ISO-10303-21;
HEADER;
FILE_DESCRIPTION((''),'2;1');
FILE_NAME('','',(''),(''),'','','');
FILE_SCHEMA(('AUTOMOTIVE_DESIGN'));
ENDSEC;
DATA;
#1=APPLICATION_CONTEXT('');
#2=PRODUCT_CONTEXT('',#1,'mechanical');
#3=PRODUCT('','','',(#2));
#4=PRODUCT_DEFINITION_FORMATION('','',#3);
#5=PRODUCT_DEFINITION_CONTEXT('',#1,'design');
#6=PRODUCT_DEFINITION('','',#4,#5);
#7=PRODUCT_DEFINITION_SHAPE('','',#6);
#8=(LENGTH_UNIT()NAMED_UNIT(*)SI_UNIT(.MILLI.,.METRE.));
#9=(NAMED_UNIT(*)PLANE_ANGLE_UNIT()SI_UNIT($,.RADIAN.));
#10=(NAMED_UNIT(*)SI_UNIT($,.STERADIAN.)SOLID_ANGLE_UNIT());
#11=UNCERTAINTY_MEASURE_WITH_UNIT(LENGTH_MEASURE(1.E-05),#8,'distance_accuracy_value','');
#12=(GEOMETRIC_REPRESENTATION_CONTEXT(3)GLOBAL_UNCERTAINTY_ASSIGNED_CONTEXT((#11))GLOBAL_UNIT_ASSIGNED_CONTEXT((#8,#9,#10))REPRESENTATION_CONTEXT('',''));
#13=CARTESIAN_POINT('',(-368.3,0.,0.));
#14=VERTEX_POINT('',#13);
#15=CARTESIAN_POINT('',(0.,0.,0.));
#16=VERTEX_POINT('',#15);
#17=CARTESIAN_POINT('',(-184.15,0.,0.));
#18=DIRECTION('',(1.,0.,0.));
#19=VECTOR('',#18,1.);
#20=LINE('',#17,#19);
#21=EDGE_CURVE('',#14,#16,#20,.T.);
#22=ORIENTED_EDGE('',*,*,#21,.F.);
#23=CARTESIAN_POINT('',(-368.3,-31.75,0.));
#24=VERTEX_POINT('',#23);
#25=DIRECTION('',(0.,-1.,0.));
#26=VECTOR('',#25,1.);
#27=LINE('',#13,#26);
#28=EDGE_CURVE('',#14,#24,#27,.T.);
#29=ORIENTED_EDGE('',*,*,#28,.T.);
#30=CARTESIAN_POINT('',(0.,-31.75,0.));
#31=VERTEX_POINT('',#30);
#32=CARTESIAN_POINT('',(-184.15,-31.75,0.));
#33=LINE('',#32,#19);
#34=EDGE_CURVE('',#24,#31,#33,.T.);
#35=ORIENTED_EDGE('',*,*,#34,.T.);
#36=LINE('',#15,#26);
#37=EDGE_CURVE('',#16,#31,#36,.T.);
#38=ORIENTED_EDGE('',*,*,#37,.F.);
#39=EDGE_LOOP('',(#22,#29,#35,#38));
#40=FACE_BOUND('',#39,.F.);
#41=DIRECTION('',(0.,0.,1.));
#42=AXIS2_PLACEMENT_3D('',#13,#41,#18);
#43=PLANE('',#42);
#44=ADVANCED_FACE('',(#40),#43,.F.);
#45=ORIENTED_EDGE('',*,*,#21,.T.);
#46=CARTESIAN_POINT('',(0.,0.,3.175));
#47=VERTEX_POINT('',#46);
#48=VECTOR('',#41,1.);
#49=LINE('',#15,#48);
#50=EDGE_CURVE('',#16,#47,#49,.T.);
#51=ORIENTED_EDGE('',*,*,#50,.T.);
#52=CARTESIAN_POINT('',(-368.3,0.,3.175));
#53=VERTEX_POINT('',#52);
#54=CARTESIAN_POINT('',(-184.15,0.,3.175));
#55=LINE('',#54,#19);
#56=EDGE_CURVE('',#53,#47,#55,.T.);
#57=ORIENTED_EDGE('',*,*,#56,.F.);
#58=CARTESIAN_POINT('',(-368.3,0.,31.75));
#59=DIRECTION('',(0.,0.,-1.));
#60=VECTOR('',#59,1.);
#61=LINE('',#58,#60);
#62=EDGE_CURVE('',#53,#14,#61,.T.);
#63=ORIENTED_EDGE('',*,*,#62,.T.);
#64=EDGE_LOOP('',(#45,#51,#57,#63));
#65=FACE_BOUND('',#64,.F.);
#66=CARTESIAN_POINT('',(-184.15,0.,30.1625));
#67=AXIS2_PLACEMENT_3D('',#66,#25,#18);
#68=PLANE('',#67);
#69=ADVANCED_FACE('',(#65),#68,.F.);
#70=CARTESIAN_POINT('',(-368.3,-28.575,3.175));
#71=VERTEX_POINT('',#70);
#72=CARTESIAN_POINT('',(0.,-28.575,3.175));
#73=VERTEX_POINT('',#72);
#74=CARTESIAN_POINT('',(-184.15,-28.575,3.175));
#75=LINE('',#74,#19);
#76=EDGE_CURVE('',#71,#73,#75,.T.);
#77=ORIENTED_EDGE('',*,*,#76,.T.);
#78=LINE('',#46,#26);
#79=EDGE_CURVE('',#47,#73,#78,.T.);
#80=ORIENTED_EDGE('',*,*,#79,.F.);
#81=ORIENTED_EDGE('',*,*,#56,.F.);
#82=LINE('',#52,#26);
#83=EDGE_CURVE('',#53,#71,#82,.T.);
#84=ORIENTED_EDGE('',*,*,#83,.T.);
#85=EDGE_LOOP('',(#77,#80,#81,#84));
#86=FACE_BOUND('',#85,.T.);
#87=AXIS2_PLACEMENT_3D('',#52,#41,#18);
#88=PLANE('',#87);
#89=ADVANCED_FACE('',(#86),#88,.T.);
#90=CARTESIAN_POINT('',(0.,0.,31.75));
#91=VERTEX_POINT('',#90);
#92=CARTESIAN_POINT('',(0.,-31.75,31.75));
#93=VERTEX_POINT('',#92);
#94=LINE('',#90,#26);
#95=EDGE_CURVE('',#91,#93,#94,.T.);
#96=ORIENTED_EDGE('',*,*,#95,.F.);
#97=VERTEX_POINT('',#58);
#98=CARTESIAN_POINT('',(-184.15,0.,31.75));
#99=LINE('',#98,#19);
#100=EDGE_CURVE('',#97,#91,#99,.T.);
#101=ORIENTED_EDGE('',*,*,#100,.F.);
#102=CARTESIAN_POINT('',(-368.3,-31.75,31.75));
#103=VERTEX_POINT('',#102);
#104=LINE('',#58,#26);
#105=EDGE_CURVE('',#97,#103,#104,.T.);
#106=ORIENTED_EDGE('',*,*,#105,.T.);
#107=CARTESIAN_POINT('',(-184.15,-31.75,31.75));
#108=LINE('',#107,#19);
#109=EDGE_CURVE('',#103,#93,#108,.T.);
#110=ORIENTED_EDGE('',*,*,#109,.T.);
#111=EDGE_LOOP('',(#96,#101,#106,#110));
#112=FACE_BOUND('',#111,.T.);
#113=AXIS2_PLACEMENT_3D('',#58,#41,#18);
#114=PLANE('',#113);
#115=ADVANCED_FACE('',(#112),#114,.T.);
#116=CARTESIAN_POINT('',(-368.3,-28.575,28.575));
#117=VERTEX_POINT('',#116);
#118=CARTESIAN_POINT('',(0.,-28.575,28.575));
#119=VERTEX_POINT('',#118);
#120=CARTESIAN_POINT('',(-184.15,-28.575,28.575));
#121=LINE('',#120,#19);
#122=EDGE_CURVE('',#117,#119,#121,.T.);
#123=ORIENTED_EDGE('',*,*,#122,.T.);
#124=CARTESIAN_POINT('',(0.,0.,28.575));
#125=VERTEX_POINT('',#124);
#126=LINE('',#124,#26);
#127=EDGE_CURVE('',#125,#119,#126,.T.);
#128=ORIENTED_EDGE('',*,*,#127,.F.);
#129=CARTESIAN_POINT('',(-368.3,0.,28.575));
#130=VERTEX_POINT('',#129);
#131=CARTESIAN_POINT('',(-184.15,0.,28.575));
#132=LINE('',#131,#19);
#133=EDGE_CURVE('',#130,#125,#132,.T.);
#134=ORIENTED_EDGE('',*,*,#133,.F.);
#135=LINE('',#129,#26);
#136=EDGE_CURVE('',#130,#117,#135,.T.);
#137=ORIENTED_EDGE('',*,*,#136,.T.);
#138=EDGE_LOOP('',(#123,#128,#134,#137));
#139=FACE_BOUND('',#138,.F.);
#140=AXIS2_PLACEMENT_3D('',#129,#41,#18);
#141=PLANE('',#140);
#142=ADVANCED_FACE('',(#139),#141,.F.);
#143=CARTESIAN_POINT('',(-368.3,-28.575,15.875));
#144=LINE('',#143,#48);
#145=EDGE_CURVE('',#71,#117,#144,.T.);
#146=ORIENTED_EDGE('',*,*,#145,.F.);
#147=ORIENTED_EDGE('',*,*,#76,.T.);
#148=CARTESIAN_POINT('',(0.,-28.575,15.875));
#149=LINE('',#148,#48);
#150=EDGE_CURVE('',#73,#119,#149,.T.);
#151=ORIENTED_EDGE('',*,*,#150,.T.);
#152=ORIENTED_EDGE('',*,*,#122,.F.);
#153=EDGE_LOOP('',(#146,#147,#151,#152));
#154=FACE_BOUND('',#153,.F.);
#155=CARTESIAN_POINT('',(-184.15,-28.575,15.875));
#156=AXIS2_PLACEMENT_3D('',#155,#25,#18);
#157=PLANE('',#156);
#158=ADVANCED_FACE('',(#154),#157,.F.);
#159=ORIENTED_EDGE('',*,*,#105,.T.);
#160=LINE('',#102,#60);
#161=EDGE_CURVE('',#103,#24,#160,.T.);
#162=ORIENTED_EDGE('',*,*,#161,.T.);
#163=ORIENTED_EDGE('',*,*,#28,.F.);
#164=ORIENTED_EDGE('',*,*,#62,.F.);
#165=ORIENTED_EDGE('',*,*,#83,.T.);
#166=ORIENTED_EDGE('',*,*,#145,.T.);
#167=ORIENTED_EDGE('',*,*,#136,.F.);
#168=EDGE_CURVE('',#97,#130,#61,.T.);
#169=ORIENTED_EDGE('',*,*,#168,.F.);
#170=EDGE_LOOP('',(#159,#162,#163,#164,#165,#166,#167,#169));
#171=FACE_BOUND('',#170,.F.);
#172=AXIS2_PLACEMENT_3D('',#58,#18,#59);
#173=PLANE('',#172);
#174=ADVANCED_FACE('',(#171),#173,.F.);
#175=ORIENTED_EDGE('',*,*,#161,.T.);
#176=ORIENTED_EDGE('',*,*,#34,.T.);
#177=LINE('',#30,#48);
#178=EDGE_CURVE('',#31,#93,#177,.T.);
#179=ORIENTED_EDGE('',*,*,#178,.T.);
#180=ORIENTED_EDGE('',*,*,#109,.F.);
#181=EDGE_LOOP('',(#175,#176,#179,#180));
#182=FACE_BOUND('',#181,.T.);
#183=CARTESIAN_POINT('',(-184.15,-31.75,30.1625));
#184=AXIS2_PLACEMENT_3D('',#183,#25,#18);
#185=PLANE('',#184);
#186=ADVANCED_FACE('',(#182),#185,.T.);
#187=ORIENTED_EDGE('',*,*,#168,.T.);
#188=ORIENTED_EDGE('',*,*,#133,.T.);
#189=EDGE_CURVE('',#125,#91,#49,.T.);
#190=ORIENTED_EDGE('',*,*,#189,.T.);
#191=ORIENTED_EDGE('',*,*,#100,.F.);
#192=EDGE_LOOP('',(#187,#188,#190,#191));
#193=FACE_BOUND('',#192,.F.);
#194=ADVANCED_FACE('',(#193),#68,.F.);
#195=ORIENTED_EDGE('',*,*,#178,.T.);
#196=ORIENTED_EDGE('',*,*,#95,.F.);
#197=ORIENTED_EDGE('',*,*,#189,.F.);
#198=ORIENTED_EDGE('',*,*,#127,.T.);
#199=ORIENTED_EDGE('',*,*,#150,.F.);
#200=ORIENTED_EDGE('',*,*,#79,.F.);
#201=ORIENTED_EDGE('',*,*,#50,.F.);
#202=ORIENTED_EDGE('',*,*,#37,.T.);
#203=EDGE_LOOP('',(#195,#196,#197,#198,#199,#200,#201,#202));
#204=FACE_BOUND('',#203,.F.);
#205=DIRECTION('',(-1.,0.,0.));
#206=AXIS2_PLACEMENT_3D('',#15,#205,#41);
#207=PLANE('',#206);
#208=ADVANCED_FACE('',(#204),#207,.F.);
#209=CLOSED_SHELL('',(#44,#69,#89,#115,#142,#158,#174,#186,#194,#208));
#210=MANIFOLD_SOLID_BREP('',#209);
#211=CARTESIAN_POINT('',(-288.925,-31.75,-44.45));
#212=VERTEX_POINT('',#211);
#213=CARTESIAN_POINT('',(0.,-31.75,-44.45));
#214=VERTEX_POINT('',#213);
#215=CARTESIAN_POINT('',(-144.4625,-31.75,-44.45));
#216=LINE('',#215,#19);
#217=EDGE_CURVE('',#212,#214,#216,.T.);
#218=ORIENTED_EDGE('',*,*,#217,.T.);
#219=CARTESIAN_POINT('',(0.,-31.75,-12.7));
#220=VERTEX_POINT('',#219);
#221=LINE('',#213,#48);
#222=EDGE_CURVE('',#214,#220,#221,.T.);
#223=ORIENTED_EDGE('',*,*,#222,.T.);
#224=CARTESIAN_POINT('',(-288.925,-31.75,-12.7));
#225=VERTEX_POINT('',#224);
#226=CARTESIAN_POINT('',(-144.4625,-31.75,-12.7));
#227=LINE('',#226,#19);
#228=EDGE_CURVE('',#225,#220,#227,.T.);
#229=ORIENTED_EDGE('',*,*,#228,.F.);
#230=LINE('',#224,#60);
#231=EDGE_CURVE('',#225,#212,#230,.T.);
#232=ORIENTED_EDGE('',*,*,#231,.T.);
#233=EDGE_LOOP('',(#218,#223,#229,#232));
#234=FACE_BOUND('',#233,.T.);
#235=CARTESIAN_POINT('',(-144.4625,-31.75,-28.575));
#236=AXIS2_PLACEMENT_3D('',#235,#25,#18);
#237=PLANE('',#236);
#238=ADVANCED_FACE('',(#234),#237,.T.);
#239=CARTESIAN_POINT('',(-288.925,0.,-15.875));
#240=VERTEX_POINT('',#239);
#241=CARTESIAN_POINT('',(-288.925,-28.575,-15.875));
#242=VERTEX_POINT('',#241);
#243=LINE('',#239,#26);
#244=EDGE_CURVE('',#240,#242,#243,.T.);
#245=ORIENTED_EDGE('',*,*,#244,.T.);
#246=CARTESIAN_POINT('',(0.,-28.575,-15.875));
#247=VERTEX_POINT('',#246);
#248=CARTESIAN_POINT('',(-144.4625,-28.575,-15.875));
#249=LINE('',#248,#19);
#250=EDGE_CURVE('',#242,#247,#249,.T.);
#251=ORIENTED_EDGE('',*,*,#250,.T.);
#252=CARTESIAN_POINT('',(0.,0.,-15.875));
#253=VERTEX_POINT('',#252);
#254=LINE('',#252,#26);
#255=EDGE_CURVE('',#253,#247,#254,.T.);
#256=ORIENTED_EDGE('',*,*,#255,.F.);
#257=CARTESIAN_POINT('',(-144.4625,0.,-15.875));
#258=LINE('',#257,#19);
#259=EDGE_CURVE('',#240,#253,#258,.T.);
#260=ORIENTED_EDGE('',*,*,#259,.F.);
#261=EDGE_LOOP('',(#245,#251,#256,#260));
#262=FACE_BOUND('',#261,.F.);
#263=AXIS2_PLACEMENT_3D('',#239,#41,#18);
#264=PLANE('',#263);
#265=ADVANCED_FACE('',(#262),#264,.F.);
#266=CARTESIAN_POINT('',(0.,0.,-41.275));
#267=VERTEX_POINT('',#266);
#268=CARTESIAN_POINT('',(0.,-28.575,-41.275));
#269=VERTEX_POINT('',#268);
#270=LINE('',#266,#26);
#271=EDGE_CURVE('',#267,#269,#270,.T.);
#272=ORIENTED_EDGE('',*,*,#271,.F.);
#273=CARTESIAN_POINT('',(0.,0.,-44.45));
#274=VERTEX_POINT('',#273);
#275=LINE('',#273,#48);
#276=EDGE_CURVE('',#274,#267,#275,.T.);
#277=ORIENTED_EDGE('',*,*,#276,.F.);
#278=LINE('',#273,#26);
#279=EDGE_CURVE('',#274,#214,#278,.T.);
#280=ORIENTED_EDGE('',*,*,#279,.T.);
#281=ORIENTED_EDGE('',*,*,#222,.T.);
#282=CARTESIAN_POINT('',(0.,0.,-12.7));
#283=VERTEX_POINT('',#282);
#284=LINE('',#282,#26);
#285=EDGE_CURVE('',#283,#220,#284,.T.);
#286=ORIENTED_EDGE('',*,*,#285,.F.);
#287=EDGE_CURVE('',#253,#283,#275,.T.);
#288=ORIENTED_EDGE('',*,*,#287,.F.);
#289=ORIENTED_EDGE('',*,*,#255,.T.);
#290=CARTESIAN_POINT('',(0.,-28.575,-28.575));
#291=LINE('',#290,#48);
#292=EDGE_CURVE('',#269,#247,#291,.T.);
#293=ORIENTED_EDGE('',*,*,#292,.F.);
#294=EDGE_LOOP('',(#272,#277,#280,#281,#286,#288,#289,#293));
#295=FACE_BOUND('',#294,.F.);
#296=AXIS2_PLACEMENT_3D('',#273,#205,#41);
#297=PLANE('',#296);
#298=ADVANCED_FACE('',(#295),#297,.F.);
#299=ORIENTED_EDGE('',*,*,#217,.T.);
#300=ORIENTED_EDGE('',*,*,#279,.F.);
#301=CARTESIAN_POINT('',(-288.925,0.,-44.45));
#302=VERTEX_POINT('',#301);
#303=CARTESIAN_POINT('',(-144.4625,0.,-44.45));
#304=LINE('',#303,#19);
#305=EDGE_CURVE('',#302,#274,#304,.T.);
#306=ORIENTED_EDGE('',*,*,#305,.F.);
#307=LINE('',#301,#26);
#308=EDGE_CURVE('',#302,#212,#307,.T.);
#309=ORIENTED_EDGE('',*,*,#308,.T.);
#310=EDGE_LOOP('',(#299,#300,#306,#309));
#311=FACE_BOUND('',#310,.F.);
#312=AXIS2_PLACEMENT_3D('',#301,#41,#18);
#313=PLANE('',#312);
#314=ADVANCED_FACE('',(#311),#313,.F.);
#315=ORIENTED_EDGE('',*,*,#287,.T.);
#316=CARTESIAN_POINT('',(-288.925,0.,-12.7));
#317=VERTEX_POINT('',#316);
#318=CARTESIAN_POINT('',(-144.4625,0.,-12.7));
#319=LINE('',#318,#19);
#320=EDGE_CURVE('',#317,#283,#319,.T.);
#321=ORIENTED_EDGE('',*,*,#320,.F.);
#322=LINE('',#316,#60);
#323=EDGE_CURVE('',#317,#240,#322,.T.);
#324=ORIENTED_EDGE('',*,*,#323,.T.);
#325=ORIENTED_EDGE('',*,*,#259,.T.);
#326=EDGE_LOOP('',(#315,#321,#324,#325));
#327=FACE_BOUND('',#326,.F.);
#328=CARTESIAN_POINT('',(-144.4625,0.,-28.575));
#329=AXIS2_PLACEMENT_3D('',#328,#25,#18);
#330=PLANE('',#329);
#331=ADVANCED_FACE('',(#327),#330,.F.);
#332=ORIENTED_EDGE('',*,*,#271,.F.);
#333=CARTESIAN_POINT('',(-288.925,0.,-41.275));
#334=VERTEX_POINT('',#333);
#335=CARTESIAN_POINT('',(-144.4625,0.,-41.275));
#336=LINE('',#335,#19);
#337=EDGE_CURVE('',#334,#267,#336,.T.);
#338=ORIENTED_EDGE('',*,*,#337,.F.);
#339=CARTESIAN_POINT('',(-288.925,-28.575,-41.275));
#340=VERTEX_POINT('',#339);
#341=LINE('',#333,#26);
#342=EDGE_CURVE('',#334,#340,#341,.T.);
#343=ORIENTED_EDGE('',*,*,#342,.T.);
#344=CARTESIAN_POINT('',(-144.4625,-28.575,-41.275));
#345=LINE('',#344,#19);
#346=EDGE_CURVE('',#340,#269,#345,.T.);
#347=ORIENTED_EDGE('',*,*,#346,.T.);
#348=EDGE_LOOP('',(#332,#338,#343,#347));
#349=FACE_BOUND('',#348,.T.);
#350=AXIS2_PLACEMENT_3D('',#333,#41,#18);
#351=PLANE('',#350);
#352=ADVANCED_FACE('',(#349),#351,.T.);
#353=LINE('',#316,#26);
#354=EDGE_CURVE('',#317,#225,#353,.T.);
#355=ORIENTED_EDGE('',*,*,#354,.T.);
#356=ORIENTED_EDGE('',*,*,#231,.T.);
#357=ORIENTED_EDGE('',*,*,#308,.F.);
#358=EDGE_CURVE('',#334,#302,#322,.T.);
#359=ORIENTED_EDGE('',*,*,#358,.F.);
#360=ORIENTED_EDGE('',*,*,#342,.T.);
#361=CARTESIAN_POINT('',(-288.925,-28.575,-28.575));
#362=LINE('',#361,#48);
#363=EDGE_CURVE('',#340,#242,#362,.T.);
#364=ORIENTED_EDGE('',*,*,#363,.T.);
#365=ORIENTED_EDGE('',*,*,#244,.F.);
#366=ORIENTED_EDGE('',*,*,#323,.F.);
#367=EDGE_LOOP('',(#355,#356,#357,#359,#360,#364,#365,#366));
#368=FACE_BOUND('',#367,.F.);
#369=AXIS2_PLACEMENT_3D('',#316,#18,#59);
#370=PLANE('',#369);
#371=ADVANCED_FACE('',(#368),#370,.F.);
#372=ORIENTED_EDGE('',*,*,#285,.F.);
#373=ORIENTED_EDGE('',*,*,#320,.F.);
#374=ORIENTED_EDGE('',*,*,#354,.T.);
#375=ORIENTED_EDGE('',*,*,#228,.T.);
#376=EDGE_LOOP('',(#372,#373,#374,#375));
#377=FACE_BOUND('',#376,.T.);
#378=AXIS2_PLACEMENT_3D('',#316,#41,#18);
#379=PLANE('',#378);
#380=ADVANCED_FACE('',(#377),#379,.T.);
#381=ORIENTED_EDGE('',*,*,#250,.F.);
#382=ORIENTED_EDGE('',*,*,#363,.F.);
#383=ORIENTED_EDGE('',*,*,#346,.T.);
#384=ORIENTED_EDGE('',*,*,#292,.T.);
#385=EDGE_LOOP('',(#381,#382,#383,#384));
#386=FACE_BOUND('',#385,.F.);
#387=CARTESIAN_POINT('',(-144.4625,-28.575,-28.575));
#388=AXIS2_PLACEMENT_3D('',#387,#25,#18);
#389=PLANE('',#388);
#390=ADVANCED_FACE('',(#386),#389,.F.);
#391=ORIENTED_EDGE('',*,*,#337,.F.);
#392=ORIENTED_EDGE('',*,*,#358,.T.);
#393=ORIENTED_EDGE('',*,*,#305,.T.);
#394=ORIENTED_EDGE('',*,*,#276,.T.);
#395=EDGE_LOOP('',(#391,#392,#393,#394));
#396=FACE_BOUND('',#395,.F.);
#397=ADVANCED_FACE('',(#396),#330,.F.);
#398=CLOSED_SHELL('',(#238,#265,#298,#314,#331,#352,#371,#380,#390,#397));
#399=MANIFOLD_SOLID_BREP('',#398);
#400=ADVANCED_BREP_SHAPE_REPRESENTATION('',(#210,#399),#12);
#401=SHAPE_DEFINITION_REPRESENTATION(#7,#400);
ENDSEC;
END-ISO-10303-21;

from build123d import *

# Parameters (mm, degrees)
F0_W     = 368.3
F0_H     = 3.175
F0_H_2   = 25.4
F1_DEPTH = 31.75
F2_DEPTH = 28.575
F3_W     = 288.925
F3_H     = 25.4
F3_H_2   = 3.175
F4_DEPTH = 31.75
F5_DEPTH = 28.575


with BuildPart() as f1:
    # F0 (on Front) → F1 (new body)
    with BuildSketch(Plane.XZ):
        with Locations((-184.15, 30.1625)):
            Rectangle(F0_W, F0_H)
        with Locations((-184.15, 15.875)):
            Rectangle(F0_W, F0_H_2)
        with Locations((-184.15, 1.5875)):
            Rectangle(F0_W, F0_H)
    extrude(amount=F1_DEPTH)

    # F0 (on Front) → F2 (cut)
    with BuildSketch(Plane.XZ):
        with Locations((-184.15, 15.875)):
            Rectangle(F0_W, F0_H_2)
    extrude(amount=F2_DEPTH, mode=Mode.SUBTRACT)


with BuildPart() as f4:
    # F3 (on Front) → F4 (new body)
    with BuildSketch(Plane.XZ):
        with Locations((-144.4625, -28.575)):
            Rectangle(F3_W, F3_H)
        with Locations((-144.4625, -14.2875)):
            Rectangle(F3_W, F3_H_2)
        with Locations((-144.4625, -42.8625)):
            Rectangle(F3_W, F3_H_2)
    extrude(amount=F4_DEPTH)

    # F3 (on Front) → F5 (cut)
    with BuildSketch(Plane.XZ):
        with Locations((-144.4625, -28.575)):
            Rectangle(F3_W, F3_H)
    extrude(amount=F5_DEPTH, mode=Mode.SUBTRACT)


solid = Compound([f1.part, f4.part])
